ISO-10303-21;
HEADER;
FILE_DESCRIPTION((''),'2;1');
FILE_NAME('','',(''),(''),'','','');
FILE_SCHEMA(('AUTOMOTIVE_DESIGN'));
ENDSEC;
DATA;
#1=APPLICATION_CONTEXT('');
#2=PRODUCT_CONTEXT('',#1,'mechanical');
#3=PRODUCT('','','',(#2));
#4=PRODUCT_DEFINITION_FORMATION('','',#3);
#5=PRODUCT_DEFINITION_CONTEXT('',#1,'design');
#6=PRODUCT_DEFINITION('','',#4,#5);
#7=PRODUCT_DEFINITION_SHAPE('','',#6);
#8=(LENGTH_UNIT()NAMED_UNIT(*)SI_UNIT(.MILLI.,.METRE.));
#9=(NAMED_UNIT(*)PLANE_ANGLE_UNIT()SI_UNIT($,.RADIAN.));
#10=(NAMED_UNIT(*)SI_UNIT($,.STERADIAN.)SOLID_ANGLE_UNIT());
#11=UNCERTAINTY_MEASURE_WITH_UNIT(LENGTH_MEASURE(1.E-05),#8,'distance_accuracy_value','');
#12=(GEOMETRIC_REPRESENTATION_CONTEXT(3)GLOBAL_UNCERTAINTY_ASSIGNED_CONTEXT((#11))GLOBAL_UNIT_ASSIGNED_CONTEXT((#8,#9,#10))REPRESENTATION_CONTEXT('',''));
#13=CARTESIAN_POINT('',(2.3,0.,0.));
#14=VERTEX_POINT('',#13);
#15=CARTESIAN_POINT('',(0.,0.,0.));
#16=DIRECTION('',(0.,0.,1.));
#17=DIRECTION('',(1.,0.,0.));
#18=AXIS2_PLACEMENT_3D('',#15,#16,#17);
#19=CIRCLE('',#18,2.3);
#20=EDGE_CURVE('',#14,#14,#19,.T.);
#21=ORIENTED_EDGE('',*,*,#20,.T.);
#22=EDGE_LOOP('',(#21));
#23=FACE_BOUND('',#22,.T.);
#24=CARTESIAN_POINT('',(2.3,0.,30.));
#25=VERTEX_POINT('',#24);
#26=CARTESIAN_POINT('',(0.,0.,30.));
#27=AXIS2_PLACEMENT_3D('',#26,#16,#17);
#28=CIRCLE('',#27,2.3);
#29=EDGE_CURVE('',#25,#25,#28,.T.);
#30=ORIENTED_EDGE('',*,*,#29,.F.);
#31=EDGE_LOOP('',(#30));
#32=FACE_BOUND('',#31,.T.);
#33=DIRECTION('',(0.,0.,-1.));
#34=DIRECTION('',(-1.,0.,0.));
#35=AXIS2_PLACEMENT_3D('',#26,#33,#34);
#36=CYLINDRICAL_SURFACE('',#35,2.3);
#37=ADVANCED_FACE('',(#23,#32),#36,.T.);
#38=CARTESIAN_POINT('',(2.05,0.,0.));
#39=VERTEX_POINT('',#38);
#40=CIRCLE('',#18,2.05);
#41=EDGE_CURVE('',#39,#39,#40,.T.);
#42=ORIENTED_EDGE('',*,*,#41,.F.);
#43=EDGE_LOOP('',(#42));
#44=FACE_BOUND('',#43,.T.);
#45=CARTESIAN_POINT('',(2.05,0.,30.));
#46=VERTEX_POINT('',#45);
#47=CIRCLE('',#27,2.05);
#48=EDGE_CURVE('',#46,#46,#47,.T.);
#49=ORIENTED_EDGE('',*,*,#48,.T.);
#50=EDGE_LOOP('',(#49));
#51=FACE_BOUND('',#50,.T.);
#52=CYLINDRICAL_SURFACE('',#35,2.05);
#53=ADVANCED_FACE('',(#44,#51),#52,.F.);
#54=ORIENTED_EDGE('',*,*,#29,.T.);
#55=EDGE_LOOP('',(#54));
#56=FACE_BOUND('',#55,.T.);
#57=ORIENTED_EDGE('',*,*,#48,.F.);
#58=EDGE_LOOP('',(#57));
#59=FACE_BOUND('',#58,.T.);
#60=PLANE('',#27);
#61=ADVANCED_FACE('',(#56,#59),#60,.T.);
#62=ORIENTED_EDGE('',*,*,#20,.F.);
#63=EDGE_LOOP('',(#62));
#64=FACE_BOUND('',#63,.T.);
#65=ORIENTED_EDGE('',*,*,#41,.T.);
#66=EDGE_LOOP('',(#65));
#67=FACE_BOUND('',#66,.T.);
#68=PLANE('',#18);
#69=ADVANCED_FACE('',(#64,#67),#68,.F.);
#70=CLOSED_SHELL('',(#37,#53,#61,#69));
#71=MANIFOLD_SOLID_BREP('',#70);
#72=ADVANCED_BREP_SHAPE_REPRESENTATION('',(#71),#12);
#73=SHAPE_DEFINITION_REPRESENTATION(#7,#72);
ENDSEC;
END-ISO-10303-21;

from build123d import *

# Parameters (mm, degrees)
CROQUIS1_R              = 2.3
CROQUIS1_R_2            = 2.05
SALIENTE_EXTRUIR1_DEPTH = 30


with BuildPart() as part:
    # Croquis1 → Saliente-Extruir1 (new body)
    with BuildSketch(Plane.XY):
        Circle(CROQUIS1_R)
        Circle(CROQUIS1_R_2, mode=Mode.SUBTRACT)
    extrude(amount=SALIENTE_EXTRUIR1_DEPTH)


solid = part.part
